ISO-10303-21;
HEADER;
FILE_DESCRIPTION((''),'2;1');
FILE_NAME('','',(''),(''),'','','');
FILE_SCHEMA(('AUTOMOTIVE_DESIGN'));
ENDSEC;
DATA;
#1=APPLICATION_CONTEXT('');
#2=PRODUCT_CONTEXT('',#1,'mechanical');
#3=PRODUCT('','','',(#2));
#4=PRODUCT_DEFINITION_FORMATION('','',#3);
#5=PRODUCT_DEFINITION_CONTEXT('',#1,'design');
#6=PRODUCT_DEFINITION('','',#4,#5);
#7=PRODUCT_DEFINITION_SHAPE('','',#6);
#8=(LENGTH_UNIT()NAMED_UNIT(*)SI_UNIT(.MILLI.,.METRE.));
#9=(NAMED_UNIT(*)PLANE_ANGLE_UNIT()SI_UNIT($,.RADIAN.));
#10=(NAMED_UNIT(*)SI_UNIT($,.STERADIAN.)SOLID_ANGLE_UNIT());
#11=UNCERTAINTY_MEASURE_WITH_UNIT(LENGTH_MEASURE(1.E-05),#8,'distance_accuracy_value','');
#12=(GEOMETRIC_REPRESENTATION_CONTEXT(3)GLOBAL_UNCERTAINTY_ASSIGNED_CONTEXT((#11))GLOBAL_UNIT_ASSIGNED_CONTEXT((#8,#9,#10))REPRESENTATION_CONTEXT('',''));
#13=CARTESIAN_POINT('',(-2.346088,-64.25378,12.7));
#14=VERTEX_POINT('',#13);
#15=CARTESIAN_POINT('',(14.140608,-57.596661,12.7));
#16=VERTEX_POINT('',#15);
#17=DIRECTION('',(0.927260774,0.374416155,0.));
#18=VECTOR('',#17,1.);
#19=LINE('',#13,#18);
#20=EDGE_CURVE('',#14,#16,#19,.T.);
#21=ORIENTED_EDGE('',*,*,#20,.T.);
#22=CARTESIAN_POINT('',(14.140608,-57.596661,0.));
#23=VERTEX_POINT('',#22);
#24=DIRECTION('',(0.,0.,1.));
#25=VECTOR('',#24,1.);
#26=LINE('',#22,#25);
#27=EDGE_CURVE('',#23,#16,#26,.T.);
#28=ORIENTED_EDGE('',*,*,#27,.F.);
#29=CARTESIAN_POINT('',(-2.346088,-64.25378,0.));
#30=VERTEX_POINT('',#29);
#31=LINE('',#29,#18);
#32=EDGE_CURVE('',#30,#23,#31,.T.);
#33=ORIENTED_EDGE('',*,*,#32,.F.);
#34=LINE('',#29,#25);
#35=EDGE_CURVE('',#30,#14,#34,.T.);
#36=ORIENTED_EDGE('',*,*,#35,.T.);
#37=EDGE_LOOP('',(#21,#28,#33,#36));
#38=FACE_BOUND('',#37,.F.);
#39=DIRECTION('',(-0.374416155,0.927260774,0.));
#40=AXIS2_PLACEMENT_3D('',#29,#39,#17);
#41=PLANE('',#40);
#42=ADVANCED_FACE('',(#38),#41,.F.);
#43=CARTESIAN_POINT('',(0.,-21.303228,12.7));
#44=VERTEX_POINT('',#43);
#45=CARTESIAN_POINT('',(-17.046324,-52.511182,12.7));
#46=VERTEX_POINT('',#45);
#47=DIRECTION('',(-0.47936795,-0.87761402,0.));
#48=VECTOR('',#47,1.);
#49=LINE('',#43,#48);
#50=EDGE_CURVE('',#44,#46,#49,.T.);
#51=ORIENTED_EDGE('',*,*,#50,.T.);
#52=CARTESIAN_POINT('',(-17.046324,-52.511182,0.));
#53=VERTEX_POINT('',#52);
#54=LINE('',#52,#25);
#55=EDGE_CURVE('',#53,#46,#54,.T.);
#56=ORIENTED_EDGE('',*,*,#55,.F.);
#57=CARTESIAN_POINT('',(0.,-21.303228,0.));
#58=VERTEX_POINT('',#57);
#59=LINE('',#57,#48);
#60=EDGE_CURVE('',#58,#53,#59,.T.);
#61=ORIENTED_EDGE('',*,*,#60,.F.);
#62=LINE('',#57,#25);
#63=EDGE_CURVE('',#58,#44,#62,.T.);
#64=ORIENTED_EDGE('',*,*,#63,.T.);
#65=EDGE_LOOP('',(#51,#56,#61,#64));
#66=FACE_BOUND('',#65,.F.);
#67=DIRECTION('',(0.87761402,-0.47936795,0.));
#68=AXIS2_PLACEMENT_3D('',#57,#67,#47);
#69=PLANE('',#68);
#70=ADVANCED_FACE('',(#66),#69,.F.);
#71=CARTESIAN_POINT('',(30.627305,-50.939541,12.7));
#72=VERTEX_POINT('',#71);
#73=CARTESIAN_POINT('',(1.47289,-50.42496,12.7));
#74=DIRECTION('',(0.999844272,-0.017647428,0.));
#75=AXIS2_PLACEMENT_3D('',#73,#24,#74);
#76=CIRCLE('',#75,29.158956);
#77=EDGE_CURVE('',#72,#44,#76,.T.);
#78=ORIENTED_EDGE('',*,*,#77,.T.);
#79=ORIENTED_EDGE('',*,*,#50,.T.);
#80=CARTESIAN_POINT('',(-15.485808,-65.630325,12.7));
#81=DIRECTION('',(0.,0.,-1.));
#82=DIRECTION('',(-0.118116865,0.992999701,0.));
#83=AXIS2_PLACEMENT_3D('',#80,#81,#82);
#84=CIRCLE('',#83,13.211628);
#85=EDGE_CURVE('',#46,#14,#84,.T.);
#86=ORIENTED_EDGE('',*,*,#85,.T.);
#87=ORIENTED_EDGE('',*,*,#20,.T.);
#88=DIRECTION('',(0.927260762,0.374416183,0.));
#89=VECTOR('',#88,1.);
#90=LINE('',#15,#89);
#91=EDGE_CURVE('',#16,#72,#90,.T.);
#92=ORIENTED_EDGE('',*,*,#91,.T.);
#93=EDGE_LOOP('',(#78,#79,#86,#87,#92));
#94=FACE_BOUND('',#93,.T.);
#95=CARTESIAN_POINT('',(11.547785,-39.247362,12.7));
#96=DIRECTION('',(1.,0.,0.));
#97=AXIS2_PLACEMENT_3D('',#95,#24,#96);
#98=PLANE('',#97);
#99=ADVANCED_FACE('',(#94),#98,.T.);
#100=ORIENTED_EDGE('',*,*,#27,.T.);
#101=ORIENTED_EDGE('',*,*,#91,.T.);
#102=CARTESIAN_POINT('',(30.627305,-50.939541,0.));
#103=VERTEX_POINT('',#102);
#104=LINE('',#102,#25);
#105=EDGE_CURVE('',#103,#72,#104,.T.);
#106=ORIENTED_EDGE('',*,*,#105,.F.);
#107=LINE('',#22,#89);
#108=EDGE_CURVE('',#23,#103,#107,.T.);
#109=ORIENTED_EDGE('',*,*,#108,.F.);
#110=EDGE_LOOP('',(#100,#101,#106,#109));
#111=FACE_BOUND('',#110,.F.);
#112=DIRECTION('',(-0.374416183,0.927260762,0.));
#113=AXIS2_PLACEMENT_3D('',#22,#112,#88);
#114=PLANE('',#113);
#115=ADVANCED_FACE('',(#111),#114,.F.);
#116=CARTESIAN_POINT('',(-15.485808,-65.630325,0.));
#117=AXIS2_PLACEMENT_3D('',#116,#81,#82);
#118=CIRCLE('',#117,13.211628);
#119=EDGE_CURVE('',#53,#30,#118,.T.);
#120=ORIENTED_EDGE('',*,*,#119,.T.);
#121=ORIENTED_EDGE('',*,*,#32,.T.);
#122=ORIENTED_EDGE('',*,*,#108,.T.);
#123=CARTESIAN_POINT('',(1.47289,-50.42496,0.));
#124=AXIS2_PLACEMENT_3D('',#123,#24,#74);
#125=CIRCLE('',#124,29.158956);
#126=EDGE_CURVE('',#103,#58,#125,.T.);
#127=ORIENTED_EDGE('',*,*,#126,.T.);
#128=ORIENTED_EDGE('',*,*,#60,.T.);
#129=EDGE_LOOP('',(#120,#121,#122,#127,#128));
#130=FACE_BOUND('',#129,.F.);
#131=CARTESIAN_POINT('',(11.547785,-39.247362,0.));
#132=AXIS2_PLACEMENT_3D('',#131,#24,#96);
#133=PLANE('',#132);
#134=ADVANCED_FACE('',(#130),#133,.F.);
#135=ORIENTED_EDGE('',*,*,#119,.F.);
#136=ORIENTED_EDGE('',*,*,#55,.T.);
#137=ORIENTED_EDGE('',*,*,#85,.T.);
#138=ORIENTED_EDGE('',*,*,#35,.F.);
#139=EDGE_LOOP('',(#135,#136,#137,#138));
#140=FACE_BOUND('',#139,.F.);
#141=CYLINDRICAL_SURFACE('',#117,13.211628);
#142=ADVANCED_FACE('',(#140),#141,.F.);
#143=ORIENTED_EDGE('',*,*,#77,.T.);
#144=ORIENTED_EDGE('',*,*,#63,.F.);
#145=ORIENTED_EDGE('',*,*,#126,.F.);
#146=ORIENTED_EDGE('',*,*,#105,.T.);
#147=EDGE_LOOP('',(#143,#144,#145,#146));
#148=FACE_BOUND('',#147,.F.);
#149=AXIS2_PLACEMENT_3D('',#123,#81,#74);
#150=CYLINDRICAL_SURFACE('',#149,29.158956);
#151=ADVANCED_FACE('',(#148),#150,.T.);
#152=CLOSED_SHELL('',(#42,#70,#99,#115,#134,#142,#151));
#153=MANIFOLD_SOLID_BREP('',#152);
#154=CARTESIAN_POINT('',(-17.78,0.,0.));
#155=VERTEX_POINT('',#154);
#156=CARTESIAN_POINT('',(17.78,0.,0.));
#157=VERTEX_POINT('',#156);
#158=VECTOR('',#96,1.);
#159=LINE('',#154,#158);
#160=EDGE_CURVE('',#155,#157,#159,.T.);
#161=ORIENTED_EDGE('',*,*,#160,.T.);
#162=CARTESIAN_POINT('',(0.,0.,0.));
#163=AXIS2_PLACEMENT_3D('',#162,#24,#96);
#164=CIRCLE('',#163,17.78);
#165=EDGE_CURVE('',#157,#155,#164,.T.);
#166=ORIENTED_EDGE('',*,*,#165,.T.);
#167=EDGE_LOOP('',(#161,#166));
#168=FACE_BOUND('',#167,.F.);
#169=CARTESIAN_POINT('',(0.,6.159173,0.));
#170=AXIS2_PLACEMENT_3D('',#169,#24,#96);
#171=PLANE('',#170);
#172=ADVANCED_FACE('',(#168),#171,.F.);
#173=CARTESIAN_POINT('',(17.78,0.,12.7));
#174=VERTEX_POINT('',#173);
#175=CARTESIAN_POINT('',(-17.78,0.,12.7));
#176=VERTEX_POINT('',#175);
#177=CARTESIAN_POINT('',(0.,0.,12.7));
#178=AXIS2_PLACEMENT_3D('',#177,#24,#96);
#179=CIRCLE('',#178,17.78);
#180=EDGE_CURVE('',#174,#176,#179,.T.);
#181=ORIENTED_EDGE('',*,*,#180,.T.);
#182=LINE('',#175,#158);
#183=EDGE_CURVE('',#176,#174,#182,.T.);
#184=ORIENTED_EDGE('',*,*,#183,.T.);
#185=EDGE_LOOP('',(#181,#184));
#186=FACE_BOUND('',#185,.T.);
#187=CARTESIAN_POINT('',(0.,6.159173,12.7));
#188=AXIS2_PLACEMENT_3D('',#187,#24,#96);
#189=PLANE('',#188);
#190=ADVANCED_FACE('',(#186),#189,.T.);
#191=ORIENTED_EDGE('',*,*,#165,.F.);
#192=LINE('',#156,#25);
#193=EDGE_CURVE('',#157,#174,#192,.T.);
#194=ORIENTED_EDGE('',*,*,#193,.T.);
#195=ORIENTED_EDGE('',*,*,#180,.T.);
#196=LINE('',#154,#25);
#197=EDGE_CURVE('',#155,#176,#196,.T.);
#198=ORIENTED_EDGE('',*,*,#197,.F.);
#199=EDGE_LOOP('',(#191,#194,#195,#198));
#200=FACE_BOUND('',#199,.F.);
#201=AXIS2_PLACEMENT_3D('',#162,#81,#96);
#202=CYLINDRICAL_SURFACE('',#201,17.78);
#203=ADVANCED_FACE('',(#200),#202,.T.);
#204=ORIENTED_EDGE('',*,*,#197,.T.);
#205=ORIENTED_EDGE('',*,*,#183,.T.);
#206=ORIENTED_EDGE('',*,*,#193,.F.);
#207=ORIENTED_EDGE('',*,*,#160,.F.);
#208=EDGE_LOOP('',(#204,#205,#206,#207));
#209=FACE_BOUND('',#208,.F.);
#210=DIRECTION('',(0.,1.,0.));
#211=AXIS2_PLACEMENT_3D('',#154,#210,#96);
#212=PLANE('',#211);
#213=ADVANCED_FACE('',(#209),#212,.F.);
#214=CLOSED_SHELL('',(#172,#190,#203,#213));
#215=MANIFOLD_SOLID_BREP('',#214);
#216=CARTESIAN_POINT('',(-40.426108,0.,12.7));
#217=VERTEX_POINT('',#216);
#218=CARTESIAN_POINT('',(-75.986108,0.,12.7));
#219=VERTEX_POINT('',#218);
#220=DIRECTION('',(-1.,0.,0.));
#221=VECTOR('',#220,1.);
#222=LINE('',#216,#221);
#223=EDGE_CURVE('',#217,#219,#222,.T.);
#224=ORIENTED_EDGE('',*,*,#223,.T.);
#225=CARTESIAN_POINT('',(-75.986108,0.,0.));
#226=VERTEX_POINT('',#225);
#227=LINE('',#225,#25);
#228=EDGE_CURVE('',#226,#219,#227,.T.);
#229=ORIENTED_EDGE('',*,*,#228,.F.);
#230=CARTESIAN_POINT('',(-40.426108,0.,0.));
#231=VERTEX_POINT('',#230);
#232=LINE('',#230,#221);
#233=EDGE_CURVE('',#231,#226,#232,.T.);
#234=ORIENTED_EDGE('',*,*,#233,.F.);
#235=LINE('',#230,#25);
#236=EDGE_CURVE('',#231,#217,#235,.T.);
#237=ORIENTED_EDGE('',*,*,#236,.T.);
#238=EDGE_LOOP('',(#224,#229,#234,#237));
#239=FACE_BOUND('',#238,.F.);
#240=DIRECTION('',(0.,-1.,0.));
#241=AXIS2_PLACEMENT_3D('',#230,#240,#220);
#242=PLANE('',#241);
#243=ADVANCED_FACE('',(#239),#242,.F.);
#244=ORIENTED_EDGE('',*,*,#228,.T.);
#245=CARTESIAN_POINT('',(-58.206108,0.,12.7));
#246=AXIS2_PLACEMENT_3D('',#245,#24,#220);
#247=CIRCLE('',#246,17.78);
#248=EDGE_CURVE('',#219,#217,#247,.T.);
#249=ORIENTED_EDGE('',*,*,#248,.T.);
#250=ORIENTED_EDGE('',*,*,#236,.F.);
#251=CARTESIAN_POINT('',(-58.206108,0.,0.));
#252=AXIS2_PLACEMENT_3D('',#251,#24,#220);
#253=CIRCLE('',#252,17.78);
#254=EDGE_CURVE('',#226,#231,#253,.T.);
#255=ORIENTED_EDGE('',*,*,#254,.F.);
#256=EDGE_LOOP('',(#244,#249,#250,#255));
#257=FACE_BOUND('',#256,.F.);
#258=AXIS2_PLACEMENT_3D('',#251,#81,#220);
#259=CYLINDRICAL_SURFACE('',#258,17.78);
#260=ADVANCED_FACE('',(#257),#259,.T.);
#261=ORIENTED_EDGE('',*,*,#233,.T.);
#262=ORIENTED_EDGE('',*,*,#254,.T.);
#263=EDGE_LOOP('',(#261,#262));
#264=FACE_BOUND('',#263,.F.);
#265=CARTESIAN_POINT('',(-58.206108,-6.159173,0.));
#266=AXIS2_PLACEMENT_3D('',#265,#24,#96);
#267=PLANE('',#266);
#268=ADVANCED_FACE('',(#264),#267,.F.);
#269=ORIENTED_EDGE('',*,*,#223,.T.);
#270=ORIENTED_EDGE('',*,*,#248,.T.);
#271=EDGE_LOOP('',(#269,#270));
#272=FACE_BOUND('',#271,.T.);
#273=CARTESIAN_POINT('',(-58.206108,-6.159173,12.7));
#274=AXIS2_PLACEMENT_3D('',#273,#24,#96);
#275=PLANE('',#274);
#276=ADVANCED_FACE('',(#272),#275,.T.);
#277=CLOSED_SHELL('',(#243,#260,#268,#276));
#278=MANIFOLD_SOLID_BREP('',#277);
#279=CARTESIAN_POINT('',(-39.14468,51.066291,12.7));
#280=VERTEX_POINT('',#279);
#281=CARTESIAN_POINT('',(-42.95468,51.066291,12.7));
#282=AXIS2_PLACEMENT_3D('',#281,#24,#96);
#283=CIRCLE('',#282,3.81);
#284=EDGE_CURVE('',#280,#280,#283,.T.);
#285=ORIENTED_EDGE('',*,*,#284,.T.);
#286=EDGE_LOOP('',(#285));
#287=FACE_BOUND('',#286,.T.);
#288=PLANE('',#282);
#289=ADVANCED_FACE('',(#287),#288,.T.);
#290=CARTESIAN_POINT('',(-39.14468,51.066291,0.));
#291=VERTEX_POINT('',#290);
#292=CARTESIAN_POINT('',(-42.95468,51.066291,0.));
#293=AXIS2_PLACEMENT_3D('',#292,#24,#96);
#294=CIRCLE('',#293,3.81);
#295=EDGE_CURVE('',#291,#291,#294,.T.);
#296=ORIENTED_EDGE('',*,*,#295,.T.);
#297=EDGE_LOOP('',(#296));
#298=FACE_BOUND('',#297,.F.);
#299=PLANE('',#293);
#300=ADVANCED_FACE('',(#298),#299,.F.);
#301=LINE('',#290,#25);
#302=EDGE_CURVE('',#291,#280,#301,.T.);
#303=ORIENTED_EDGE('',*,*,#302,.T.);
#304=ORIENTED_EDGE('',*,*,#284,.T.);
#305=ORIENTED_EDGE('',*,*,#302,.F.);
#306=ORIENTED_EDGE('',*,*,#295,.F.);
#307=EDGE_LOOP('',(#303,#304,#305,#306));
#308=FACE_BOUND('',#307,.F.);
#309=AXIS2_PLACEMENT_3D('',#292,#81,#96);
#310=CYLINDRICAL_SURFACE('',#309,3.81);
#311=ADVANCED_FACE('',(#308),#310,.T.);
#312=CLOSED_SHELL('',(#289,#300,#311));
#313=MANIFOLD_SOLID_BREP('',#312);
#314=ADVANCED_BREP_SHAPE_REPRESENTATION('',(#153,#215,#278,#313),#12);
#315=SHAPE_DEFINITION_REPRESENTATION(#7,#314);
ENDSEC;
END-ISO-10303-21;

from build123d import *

# Parameters (mm, degrees)
F0_R     = 3.81
F1_DEPTH = 12.7


with BuildPart() as f1:
    # F0 (on Top) → F1 (new body)
    with BuildSketch(Plane.XY):
        with BuildLine():
            ThreePointArc((17.78, 0), (0, 17.78), (-17.78, 0))
            Line((-17.78, 0), (17.78, 0))
        make_face()
        with BuildLine():
            ThreePointArc((-75.986108, 0), (-58.206108, -17.78), (-40.426108, 0))
            Line((-40.426108, 0), (-75.986108, 0))
        make_face()
        with BuildLine():
            ThreePointArc((30.627305, -50.939541), (21.749588, -29.470242), (0, -21.303228))
            Line((0, -21.303228), (-8.523162, -36.907205))
            Line((-8.523162, -36.907205), (14.140608, -57.596661))
            Line((14.140608, -57.596661), (30.627305, -50.939541))
        make_face()
        with BuildLine():
            Line((14.140608, -57.596661), (-8.523162, -36.907205))
            Line((-8.523162, -36.907205), (-17.046324, -52.511182))
            ThreePointArc((-17.046324, -52.511182), (-7.240103, -55.307754), (-2.346088, -64.25378))
            Line((-2.346088, -64.25378), (14.140608, -57.596661))
        make_face()
        with Locations((-42.95468, 51.066291)):
            Circle(F0_R)
    extrude(amount=F1_DEPTH)


solid = f1.part
